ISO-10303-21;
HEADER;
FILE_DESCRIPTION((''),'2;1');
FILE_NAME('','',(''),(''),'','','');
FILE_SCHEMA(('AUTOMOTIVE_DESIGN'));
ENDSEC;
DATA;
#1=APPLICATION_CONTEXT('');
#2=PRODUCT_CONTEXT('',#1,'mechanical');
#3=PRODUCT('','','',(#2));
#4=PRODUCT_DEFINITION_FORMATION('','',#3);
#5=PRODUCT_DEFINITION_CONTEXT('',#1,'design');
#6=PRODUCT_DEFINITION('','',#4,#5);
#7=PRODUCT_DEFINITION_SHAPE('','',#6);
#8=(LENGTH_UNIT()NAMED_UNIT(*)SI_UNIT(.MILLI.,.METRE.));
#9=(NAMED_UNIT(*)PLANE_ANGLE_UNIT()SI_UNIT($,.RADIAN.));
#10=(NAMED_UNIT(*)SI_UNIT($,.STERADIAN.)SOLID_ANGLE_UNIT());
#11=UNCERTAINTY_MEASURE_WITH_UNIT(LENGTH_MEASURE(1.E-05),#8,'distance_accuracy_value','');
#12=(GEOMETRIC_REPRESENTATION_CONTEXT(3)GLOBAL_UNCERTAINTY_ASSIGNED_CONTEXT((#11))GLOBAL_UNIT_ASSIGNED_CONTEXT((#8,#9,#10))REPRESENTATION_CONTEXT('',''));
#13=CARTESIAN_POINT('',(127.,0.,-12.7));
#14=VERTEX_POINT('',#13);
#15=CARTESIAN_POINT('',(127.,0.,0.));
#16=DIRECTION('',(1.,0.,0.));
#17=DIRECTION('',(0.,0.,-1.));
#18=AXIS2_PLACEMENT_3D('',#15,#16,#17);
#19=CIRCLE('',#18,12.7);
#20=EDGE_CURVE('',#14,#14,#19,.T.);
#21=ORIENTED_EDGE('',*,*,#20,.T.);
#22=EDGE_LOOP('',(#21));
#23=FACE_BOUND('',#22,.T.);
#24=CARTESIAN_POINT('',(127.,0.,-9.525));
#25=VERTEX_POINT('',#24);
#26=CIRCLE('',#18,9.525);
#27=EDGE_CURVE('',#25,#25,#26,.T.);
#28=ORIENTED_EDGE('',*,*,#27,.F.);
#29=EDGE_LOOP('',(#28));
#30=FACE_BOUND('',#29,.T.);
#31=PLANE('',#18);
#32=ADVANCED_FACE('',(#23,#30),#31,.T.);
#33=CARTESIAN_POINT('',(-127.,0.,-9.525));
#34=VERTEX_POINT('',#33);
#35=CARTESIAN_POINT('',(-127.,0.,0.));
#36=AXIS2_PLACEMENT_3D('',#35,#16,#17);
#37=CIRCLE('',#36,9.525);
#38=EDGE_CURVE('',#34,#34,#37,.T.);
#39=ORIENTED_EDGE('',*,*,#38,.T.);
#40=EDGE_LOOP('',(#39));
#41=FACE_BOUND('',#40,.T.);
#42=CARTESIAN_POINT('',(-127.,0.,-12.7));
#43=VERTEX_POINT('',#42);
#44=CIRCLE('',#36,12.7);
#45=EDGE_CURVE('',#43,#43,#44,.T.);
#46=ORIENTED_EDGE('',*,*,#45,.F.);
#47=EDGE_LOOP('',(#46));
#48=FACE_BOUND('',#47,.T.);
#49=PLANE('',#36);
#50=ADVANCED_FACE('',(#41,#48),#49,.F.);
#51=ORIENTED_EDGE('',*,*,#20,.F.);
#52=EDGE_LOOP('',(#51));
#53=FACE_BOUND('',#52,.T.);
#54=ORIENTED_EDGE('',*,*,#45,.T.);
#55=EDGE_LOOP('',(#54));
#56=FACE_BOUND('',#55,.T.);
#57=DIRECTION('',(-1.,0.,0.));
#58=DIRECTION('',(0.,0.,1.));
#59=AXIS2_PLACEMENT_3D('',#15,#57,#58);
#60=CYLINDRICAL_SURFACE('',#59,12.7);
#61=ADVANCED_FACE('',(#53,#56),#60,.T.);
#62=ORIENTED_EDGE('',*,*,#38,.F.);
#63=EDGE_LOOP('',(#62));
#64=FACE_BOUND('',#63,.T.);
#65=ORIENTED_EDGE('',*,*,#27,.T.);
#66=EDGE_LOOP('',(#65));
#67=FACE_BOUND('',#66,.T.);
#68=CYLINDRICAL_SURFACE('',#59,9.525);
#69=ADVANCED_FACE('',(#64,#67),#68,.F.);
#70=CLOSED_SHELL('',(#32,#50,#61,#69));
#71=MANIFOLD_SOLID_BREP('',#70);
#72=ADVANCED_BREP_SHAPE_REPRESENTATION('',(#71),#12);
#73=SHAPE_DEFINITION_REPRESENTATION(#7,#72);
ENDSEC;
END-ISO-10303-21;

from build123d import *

# Parameters (mm, degrees)
SKETCH3_R           = 12.7
SKETCH3_R_2         = 9.525
BOSS_EXTRUDE1_DEPTH = 127


with BuildPart() as part:
    # Sketch3 → Boss-Extrude1 (new, symmetric)
    with BuildSketch(Plane(origin=(0, 0, 0), x_dir=(0, 0, -1), z_dir=(1, 0, 0))):
        Circle(SKETCH3_R)
        Circle(SKETCH3_R_2, mode=Mode.SUBTRACT)
    extrude(amount=BOSS_EXTRUDE1_DEPTH, both=True)


solid = part.part
